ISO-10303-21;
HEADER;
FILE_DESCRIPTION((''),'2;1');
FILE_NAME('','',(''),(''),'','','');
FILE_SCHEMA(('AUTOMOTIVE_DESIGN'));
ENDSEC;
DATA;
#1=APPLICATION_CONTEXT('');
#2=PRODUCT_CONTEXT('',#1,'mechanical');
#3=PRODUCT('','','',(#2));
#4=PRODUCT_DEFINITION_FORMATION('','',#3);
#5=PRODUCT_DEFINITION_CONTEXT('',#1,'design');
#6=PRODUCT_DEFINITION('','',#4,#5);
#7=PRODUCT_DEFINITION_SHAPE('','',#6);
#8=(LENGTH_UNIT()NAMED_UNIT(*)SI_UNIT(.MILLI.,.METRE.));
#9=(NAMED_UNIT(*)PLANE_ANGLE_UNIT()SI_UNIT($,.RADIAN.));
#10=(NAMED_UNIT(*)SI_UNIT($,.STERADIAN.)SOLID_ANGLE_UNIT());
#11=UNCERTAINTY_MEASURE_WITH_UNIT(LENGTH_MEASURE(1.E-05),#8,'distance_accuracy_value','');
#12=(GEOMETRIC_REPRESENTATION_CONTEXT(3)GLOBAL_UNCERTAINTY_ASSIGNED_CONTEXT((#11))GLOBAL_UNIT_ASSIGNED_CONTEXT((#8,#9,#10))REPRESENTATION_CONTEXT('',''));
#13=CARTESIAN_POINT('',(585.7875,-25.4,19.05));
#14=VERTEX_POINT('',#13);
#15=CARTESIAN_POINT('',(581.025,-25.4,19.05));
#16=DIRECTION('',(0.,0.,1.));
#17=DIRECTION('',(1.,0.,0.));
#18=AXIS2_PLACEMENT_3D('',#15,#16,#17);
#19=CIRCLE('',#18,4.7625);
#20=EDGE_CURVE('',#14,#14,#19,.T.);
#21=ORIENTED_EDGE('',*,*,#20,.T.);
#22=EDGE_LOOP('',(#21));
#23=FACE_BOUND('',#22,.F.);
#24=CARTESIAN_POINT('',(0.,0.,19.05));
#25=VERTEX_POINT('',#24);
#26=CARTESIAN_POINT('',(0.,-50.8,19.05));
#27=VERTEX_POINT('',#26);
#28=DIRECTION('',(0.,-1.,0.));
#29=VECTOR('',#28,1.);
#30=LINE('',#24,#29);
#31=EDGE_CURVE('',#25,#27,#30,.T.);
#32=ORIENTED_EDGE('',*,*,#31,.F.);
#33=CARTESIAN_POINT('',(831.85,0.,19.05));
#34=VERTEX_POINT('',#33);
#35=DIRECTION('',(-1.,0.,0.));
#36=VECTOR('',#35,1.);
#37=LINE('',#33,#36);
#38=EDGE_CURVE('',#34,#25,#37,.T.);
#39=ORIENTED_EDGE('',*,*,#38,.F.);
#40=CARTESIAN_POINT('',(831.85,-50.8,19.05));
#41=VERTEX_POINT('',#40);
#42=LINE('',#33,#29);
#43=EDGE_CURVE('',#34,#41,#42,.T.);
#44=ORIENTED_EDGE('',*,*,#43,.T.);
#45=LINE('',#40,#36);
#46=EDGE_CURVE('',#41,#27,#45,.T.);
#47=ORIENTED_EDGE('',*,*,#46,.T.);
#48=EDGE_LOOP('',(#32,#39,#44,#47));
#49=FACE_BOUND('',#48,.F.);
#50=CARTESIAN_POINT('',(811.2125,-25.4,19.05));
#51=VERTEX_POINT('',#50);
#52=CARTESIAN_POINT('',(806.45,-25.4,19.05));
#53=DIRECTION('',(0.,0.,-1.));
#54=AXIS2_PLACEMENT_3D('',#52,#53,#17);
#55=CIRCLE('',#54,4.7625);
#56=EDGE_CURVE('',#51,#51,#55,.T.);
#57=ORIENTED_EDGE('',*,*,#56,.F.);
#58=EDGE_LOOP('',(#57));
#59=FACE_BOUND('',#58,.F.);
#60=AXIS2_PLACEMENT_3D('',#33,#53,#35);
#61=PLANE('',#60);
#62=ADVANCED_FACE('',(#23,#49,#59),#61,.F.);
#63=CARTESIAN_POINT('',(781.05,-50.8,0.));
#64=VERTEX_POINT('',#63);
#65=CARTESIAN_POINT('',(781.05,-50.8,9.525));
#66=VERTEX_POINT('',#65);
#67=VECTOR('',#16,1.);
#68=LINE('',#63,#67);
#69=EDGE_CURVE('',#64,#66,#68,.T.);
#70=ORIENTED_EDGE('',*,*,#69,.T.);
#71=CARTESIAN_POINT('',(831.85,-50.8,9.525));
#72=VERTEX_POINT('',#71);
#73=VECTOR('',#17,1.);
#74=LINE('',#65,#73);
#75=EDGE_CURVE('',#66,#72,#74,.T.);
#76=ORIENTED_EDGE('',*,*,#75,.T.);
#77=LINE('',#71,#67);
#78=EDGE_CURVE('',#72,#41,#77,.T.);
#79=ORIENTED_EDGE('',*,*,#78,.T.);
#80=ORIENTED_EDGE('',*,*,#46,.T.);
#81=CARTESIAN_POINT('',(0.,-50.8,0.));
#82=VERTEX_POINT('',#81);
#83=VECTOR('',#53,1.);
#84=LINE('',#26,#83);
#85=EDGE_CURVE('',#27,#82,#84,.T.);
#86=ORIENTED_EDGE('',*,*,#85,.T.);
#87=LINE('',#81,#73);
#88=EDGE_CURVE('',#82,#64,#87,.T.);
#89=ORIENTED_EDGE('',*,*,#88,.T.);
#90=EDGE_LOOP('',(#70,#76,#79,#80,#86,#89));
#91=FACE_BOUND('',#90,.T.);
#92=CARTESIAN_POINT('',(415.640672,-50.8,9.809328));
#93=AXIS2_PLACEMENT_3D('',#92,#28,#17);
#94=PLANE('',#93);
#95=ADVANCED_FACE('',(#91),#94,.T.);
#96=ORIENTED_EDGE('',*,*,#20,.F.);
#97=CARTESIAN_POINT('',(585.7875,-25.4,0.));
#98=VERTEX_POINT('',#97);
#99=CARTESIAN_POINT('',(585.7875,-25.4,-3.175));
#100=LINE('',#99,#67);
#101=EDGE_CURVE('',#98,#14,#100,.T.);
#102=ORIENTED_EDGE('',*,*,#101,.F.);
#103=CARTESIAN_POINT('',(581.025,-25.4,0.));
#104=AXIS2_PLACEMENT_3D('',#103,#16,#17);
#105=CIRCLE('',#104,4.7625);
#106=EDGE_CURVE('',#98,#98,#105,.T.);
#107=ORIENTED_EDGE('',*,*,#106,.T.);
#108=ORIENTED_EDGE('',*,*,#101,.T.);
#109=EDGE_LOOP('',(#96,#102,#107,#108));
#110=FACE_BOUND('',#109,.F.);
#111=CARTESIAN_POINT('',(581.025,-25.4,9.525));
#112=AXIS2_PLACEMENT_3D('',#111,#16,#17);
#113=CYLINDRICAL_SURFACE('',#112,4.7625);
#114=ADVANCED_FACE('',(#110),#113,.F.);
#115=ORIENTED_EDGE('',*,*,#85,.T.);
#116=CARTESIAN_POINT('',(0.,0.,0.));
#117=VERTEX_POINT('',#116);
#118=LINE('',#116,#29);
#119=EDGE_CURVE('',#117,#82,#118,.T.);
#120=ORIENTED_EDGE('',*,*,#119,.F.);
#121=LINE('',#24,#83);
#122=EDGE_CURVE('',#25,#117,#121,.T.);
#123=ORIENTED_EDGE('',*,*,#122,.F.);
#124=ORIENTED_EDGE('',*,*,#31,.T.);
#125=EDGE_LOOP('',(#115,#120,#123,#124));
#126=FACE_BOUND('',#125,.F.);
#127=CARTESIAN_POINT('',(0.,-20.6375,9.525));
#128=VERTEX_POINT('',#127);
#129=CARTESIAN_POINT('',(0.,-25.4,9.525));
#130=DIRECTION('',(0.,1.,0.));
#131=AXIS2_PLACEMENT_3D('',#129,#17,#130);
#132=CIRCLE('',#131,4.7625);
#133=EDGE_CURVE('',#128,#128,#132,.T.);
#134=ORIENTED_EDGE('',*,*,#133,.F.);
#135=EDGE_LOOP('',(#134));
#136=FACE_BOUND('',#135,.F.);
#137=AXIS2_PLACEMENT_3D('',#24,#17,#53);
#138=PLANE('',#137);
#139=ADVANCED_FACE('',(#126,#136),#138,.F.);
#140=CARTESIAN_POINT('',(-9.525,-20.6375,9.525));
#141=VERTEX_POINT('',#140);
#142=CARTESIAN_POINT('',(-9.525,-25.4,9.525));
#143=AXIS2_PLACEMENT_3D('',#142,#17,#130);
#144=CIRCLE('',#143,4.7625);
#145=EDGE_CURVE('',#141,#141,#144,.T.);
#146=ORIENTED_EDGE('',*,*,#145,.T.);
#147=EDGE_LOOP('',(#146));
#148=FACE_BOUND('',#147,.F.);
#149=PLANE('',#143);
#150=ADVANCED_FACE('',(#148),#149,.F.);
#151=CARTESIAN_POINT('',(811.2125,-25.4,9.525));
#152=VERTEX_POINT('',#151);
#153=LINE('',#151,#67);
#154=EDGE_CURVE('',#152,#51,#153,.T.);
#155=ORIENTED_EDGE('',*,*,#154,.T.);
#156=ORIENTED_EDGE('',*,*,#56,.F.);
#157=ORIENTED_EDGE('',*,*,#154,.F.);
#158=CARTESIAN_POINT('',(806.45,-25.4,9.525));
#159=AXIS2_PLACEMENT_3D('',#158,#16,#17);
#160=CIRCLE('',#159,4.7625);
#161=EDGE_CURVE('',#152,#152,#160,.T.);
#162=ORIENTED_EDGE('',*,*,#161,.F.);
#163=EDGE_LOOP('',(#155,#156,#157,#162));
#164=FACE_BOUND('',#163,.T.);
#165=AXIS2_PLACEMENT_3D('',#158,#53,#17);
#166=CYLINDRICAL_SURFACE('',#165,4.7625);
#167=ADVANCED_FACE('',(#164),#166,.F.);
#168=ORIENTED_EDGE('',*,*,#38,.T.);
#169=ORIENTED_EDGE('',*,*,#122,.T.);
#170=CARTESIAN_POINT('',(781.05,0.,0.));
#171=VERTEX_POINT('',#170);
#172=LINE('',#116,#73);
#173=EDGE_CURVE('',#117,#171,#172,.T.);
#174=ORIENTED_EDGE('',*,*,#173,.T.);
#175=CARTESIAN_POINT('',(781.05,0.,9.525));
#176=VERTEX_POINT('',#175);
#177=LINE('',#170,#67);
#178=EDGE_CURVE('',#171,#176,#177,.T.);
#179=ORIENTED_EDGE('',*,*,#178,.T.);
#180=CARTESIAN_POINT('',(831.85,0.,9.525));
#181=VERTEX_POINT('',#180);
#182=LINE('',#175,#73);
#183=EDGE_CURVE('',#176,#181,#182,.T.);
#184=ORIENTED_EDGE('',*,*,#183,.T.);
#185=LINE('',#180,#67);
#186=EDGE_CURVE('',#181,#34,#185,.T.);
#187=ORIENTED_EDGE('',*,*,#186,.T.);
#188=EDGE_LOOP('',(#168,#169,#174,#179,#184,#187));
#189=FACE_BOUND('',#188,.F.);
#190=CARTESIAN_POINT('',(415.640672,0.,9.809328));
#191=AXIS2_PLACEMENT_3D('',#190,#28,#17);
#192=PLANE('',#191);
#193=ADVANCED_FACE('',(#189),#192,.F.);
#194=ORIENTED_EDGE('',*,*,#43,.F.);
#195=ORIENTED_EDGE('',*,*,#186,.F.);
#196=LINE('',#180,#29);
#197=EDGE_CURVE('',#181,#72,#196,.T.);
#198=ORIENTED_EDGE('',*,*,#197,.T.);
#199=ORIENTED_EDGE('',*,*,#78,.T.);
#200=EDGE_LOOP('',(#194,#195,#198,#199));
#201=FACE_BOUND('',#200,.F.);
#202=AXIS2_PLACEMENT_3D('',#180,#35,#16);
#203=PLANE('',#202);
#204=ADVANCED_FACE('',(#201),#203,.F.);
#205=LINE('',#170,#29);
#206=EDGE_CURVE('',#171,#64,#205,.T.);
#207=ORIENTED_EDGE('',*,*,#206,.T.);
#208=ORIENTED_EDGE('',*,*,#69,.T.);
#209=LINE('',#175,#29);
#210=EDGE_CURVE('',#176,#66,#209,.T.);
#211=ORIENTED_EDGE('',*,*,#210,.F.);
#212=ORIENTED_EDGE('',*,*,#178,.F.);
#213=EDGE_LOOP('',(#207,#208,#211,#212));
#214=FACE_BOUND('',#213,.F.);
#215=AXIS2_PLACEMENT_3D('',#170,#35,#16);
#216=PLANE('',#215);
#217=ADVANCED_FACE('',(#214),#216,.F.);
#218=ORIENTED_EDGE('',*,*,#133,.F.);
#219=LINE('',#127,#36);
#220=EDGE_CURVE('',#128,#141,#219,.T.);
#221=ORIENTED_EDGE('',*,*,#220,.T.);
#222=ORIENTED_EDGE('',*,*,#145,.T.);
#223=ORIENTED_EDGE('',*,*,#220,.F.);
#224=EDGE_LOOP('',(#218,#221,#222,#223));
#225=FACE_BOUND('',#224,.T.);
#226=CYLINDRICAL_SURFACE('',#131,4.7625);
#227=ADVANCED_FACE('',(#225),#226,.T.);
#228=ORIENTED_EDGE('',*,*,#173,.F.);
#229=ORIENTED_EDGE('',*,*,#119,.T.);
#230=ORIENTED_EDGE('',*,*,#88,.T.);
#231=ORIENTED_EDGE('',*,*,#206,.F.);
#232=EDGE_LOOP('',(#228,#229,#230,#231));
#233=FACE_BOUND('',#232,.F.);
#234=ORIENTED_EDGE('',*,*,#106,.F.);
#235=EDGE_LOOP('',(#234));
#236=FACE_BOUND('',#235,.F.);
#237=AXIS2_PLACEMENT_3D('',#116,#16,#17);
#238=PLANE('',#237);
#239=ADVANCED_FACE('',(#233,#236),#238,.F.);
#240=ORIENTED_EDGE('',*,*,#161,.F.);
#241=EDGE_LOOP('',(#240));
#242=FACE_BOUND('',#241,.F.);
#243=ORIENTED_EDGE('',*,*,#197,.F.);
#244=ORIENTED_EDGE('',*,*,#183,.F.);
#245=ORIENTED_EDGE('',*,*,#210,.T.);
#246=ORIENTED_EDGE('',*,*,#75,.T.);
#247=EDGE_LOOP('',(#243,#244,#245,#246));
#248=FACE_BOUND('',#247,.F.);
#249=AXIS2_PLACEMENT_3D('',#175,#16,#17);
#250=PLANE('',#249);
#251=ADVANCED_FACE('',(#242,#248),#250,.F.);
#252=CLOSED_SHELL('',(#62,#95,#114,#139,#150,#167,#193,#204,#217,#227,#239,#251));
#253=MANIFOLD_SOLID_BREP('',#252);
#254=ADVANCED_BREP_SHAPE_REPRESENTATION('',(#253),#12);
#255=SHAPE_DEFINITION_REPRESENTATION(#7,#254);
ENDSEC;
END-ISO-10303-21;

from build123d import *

# Parameters (mm, degrees)
F1_DEPTH = 50.8
F3_R     = 4.7625
F4_DEPTH = 12.7
F5_R     = 4.7625
F6_DEPTH = 9.525


with BuildPart() as f1:
    # F0 (on Front) → F1 (new body)
    with BuildSketch(Plane.XZ):
        Polygon((831.85, 9.525), (831.85, 19.05), (0, 19.05), (0, 0), (781.05, 0), (781.05, 9.525), align=None)
    extrude(amount=F1_DEPTH)

    # F3 (on offset) → F4 (cut, symmetric)
    with BuildSketch(Plane.XY.offset(9.525)):
        with Locations((806.45, -25.4)):
            Circle(F3_R)
        with Locations((581.025, -25.4)):
            Circle(F3_R)
    extrude(amount=F4_DEPTH, both=True, mode=Mode.SUBTRACT)

    # F5 (on Right) → F6 (join)
    with BuildSketch(Plane.YZ):
        with Locations((-25.4, 9.525)):
            Circle(F5_R)
    extrude(amount=-F6_DEPTH)


solid = f1.part
